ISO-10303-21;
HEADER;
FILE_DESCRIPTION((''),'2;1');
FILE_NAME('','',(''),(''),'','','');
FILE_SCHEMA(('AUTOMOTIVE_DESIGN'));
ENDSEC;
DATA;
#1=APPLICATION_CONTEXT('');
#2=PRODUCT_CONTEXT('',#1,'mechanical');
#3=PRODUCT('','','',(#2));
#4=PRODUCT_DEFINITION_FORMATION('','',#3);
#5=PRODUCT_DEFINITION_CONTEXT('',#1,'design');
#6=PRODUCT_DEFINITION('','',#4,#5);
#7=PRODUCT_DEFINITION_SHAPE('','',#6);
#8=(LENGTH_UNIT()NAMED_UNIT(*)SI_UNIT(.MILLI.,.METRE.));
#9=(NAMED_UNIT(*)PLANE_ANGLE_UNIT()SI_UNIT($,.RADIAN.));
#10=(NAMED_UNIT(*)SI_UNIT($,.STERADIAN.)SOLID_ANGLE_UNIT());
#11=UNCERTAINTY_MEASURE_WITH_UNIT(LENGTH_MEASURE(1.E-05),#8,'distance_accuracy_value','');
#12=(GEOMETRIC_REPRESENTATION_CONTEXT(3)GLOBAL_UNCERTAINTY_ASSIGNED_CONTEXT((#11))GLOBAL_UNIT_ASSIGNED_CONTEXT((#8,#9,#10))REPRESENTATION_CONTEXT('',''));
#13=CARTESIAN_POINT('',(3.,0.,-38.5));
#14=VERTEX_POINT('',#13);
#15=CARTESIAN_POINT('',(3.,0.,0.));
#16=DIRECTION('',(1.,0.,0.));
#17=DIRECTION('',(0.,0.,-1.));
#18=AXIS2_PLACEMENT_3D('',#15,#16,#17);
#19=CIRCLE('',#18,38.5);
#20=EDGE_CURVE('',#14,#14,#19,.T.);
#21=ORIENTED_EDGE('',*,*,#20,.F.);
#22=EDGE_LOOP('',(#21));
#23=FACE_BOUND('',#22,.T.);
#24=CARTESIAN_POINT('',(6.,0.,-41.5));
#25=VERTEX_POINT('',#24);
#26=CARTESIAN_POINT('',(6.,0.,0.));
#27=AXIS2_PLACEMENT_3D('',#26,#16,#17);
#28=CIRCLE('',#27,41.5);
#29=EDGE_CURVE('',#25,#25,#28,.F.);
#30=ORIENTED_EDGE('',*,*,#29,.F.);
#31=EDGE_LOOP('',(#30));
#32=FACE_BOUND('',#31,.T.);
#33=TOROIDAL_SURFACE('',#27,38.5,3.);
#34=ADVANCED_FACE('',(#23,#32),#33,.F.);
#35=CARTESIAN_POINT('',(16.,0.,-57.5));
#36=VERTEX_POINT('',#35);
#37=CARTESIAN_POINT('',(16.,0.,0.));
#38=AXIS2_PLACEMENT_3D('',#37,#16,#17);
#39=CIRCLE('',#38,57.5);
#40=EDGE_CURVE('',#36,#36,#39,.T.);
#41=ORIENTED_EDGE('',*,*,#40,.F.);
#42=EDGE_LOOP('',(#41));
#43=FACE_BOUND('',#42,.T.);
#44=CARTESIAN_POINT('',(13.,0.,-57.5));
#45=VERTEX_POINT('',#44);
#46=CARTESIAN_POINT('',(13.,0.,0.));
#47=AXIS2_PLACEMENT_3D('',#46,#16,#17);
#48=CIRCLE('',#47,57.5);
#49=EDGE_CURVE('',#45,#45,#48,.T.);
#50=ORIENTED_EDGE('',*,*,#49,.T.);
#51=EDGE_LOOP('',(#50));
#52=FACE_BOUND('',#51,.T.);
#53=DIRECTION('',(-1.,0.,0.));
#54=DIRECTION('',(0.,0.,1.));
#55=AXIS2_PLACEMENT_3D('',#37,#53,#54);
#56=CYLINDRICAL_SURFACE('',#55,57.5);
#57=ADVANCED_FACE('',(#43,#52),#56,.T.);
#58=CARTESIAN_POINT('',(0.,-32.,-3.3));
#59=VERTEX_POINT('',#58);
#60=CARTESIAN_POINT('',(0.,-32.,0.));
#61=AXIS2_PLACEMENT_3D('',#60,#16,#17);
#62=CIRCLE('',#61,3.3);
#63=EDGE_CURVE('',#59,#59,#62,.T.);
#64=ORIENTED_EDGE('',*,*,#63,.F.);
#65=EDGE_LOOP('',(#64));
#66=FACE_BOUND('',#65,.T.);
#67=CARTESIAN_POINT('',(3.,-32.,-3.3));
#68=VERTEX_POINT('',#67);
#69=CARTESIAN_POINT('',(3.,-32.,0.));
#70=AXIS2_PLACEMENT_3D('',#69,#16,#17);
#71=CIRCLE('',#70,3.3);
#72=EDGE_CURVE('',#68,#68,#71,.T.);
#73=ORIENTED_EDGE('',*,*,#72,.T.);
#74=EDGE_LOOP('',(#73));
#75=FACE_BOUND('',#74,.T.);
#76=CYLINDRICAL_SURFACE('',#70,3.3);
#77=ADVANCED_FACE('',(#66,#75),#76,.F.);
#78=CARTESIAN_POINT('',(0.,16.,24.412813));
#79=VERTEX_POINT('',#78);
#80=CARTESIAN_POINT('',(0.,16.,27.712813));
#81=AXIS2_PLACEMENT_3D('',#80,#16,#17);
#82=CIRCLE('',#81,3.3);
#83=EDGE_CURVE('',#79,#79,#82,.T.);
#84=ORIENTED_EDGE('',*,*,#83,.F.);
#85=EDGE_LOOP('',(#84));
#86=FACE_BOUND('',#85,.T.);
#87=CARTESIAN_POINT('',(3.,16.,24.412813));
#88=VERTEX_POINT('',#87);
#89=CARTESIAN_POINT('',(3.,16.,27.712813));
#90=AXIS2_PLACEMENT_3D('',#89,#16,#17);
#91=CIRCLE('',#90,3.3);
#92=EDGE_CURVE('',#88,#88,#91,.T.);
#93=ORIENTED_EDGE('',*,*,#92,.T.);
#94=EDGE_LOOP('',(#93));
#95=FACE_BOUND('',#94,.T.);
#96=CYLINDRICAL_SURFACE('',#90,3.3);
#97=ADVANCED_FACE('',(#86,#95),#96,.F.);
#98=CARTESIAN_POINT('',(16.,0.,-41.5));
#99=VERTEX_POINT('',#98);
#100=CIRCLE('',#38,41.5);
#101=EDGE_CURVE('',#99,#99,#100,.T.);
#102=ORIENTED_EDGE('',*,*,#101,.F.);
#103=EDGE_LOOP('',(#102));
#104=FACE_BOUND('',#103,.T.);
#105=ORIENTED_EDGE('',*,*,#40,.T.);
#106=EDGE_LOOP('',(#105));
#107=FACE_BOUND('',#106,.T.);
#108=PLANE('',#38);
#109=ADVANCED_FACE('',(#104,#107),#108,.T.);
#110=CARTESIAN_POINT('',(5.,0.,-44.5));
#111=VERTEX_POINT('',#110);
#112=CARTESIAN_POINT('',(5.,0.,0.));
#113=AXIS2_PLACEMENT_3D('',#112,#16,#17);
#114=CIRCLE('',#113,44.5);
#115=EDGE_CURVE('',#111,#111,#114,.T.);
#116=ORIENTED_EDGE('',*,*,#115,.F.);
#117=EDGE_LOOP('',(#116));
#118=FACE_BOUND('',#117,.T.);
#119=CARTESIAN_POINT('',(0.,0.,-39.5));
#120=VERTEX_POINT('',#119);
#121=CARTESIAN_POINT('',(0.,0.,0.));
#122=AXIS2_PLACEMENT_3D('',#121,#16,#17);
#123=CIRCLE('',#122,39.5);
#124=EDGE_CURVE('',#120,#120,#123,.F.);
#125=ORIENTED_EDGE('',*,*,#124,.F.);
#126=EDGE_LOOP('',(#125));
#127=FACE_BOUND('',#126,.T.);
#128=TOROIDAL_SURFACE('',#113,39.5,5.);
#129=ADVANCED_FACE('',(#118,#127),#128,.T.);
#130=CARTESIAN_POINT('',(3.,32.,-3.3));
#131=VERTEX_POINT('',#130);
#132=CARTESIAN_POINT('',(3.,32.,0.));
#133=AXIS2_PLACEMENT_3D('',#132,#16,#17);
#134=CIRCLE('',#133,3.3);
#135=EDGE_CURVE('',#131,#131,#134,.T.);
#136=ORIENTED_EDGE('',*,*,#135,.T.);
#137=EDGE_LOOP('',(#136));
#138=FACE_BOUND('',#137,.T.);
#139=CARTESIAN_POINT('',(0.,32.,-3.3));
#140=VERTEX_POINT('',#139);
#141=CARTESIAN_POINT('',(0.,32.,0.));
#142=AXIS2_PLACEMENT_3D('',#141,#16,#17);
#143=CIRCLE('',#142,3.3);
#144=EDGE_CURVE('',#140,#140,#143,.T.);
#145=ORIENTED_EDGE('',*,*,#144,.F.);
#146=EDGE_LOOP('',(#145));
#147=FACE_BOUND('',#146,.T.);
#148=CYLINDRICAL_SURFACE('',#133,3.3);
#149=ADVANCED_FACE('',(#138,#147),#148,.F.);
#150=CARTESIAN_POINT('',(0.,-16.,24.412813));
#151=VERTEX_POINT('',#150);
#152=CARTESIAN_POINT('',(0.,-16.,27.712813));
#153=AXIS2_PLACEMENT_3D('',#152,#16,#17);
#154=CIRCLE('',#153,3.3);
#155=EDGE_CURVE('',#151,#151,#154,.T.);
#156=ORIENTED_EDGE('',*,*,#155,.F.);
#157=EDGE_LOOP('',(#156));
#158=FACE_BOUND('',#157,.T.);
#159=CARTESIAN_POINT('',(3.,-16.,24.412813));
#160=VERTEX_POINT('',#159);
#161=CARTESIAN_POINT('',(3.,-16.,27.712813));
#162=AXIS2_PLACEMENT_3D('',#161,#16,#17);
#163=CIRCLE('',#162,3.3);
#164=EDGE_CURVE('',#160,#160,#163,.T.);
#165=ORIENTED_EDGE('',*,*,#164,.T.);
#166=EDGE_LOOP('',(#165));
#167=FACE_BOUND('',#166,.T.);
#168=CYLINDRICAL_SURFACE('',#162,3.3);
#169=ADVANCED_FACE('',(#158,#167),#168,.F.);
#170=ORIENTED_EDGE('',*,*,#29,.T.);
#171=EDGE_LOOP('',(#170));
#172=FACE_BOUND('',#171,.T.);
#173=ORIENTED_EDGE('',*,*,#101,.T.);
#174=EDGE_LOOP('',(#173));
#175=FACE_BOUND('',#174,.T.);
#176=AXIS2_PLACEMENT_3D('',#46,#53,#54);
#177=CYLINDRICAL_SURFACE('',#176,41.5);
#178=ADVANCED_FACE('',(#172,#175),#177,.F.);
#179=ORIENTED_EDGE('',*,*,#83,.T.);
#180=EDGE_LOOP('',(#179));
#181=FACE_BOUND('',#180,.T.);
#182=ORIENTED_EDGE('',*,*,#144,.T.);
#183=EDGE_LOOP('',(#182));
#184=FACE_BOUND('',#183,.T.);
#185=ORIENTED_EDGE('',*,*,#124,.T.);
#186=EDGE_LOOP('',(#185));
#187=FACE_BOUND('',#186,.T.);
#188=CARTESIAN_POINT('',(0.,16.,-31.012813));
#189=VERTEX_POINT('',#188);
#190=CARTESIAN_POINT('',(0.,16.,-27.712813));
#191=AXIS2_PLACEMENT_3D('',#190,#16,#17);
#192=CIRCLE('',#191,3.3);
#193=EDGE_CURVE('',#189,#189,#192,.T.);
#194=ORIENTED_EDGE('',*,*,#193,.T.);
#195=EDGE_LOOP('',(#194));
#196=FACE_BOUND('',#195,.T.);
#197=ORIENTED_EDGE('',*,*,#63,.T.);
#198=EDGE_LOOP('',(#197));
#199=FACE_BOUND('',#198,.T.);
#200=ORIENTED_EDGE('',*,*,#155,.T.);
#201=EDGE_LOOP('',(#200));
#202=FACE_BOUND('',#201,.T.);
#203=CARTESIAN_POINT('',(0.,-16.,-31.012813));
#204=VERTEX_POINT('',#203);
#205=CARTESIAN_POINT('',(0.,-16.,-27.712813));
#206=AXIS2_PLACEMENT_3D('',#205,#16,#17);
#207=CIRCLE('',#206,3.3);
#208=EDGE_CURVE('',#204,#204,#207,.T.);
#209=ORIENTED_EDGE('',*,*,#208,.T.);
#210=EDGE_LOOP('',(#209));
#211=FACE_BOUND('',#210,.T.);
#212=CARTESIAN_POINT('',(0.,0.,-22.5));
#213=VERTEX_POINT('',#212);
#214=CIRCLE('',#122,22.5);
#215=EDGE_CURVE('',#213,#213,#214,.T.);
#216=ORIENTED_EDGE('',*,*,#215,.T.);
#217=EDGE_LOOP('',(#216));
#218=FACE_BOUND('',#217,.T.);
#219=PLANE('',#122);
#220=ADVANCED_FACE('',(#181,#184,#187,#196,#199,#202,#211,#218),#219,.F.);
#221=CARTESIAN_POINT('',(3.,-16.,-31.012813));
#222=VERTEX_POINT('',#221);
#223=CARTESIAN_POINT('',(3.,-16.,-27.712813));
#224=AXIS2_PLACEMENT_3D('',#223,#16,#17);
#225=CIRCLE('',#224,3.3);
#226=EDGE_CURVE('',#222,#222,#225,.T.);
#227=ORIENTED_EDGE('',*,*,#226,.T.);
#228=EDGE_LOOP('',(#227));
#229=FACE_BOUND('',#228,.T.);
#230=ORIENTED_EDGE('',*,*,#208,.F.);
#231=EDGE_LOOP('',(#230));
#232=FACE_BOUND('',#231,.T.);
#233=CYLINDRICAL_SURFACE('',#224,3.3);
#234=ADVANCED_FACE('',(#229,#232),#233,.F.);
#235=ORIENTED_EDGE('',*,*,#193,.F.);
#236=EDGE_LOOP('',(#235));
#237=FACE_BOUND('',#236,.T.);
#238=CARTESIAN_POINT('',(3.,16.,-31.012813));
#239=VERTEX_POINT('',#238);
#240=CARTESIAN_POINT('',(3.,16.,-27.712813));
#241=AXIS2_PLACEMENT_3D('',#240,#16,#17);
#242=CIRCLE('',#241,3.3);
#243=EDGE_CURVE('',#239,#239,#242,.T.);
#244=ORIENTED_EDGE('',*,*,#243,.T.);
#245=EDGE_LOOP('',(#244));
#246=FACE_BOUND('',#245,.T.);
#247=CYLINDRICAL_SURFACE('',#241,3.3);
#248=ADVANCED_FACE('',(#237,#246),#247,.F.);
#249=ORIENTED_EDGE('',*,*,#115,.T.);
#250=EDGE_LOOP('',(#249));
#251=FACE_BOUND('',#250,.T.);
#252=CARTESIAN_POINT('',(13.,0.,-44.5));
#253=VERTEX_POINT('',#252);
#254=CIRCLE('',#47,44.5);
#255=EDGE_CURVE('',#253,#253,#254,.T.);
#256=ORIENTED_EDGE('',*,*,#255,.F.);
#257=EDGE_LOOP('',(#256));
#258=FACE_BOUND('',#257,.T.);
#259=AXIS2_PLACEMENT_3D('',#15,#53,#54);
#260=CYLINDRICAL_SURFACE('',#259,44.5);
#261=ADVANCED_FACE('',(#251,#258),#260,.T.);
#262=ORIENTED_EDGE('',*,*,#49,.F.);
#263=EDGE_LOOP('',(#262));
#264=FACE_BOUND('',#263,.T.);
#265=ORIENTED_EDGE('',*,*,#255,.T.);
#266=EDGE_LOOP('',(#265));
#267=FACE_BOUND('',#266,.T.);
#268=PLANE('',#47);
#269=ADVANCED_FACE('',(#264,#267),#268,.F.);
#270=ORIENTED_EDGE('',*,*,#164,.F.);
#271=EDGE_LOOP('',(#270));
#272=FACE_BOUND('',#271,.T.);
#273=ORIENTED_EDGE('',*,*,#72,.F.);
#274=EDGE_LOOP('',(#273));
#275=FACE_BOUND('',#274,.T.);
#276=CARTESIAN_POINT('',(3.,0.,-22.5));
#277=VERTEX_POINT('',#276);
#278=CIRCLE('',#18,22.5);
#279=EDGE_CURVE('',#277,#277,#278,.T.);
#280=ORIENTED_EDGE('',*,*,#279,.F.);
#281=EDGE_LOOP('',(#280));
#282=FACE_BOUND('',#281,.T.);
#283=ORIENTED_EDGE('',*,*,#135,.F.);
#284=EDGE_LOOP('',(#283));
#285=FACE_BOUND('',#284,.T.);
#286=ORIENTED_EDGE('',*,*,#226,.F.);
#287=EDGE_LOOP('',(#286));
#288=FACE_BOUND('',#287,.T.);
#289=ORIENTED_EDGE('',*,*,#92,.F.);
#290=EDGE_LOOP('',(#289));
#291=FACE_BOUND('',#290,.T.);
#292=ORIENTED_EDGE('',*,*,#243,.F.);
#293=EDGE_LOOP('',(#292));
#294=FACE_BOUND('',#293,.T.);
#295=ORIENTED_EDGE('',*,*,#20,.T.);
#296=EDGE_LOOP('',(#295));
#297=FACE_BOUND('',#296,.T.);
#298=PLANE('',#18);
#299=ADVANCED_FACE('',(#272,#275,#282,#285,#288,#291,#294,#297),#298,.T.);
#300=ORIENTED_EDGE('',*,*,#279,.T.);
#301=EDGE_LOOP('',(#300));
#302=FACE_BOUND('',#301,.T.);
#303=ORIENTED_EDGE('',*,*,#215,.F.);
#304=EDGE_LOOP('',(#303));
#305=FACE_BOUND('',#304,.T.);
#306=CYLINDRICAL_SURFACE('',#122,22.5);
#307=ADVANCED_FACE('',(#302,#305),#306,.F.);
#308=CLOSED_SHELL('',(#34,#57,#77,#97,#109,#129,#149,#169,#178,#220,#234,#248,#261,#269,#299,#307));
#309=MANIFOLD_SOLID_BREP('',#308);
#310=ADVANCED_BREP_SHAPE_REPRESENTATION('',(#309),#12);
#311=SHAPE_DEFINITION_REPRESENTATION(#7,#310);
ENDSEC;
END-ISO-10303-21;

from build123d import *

# Parameters (mm, degrees)
SKETCH1_R             = 44.5
BOSS_EXTRUDE2_DEPTH   = 3
SKETCH3_R             = 44.5
SKETCH3_R_2           = 41.5
BOSS_EXTRUDE3_DEPTH   = 10
SKETCH4_R             = 57.5
SKETCH4_R_2           = 41.5
BOSS_EXTRUDE4_DEPTH   = 3
SKETCH5_R             = 22.5
CUT_EXTRUDE1_DEPTH    = 83.349863388
FILLET1_R             = 3
FILLET2_R             = 5
F_1_0MM_DOWEL_HOLE2_D = 6.6
CIRPATTERN2_COUNT     = 6


with BuildPart() as part:
    # Sketch1 → Boss-Extrude2 (new body)
    with BuildSketch(Plane(origin=(0, 0, 0), x_dir=(0, 0, -1), z_dir=(1, 0, 0))):
        Circle(SKETCH1_R)
    extrude(amount=BOSS_EXTRUDE2_DEPTH)

    # Sketch3 → Boss-Extrude3 (add)
    with BuildSketch(Plane(origin=(3, 0, 0), x_dir=(0, 0, -1), z_dir=(1, 0, 0))):
        Circle(SKETCH3_R)
        Circle(SKETCH3_R_2, mode=Mode.SUBTRACT)
    extrude(amount=BOSS_EXTRUDE3_DEPTH)

    # Sketch4 → Boss-Extrude4 (add)
    with BuildSketch(Plane(origin=(13, 0, 0), x_dir=(0, 0, -1), z_dir=(1, 0, 0))):
        Circle(SKETCH4_R)
        Circle(SKETCH4_R_2, mode=Mode.SUBTRACT)
    extrude(amount=BOSS_EXTRUDE4_DEPTH)

    # Sketch5 → Cut-Extrude1 (cut, through all)
    with BuildSketch(Plane(origin=(3, 0, 0), x_dir=(0, 0, -1), z_dir=(1, 0, 0))):
        Circle(SKETCH5_R)
    extrude(amount=-CUT_EXTRUDE1_DEPTH, mode=Mode.SUBTRACT)

    # Fillet1
    fillet1_edges = [part.edges().sort_by_distance(p)[0] for p in [
        (3, 0, 41.5),
    ]]
    fillet(fillet1_edges, radius=FILLET1_R)

    # Fillet2
    fillet2_edges = [part.edges().sort_by_distance(p)[0] for p in [
        (0, 0, 44.5),
    ]]
    fillet(fillet2_edges, radius=FILLET2_R)

    # Ø1.0mm Dowel Hole2 (through all)
    with Locations(Plane(origin=(3, 0, 0), x_dir=(0, 0, -1), z_dir=(1, 0, 0))):
        with Locations((0, 32)):
            f_1_0mm_dowel_hole2 = Hole(F_1_0MM_DOWEL_HOLE2_D / 2)

    # CirPattern2: Ø1.0mm Dowel Hole2 ×6 about axis
    cirpattern2_axis = Axis((0, 0, 0), (1, 0, 0))
    for i in range(1, CIRPATTERN2_COUNT):
        add(f_1_0mm_dowel_hole2.rotate(cirpattern2_axis, i * 360 / CIRPATTERN2_COUNT), mode=Mode.SUBTRACT)


solid = part.part
